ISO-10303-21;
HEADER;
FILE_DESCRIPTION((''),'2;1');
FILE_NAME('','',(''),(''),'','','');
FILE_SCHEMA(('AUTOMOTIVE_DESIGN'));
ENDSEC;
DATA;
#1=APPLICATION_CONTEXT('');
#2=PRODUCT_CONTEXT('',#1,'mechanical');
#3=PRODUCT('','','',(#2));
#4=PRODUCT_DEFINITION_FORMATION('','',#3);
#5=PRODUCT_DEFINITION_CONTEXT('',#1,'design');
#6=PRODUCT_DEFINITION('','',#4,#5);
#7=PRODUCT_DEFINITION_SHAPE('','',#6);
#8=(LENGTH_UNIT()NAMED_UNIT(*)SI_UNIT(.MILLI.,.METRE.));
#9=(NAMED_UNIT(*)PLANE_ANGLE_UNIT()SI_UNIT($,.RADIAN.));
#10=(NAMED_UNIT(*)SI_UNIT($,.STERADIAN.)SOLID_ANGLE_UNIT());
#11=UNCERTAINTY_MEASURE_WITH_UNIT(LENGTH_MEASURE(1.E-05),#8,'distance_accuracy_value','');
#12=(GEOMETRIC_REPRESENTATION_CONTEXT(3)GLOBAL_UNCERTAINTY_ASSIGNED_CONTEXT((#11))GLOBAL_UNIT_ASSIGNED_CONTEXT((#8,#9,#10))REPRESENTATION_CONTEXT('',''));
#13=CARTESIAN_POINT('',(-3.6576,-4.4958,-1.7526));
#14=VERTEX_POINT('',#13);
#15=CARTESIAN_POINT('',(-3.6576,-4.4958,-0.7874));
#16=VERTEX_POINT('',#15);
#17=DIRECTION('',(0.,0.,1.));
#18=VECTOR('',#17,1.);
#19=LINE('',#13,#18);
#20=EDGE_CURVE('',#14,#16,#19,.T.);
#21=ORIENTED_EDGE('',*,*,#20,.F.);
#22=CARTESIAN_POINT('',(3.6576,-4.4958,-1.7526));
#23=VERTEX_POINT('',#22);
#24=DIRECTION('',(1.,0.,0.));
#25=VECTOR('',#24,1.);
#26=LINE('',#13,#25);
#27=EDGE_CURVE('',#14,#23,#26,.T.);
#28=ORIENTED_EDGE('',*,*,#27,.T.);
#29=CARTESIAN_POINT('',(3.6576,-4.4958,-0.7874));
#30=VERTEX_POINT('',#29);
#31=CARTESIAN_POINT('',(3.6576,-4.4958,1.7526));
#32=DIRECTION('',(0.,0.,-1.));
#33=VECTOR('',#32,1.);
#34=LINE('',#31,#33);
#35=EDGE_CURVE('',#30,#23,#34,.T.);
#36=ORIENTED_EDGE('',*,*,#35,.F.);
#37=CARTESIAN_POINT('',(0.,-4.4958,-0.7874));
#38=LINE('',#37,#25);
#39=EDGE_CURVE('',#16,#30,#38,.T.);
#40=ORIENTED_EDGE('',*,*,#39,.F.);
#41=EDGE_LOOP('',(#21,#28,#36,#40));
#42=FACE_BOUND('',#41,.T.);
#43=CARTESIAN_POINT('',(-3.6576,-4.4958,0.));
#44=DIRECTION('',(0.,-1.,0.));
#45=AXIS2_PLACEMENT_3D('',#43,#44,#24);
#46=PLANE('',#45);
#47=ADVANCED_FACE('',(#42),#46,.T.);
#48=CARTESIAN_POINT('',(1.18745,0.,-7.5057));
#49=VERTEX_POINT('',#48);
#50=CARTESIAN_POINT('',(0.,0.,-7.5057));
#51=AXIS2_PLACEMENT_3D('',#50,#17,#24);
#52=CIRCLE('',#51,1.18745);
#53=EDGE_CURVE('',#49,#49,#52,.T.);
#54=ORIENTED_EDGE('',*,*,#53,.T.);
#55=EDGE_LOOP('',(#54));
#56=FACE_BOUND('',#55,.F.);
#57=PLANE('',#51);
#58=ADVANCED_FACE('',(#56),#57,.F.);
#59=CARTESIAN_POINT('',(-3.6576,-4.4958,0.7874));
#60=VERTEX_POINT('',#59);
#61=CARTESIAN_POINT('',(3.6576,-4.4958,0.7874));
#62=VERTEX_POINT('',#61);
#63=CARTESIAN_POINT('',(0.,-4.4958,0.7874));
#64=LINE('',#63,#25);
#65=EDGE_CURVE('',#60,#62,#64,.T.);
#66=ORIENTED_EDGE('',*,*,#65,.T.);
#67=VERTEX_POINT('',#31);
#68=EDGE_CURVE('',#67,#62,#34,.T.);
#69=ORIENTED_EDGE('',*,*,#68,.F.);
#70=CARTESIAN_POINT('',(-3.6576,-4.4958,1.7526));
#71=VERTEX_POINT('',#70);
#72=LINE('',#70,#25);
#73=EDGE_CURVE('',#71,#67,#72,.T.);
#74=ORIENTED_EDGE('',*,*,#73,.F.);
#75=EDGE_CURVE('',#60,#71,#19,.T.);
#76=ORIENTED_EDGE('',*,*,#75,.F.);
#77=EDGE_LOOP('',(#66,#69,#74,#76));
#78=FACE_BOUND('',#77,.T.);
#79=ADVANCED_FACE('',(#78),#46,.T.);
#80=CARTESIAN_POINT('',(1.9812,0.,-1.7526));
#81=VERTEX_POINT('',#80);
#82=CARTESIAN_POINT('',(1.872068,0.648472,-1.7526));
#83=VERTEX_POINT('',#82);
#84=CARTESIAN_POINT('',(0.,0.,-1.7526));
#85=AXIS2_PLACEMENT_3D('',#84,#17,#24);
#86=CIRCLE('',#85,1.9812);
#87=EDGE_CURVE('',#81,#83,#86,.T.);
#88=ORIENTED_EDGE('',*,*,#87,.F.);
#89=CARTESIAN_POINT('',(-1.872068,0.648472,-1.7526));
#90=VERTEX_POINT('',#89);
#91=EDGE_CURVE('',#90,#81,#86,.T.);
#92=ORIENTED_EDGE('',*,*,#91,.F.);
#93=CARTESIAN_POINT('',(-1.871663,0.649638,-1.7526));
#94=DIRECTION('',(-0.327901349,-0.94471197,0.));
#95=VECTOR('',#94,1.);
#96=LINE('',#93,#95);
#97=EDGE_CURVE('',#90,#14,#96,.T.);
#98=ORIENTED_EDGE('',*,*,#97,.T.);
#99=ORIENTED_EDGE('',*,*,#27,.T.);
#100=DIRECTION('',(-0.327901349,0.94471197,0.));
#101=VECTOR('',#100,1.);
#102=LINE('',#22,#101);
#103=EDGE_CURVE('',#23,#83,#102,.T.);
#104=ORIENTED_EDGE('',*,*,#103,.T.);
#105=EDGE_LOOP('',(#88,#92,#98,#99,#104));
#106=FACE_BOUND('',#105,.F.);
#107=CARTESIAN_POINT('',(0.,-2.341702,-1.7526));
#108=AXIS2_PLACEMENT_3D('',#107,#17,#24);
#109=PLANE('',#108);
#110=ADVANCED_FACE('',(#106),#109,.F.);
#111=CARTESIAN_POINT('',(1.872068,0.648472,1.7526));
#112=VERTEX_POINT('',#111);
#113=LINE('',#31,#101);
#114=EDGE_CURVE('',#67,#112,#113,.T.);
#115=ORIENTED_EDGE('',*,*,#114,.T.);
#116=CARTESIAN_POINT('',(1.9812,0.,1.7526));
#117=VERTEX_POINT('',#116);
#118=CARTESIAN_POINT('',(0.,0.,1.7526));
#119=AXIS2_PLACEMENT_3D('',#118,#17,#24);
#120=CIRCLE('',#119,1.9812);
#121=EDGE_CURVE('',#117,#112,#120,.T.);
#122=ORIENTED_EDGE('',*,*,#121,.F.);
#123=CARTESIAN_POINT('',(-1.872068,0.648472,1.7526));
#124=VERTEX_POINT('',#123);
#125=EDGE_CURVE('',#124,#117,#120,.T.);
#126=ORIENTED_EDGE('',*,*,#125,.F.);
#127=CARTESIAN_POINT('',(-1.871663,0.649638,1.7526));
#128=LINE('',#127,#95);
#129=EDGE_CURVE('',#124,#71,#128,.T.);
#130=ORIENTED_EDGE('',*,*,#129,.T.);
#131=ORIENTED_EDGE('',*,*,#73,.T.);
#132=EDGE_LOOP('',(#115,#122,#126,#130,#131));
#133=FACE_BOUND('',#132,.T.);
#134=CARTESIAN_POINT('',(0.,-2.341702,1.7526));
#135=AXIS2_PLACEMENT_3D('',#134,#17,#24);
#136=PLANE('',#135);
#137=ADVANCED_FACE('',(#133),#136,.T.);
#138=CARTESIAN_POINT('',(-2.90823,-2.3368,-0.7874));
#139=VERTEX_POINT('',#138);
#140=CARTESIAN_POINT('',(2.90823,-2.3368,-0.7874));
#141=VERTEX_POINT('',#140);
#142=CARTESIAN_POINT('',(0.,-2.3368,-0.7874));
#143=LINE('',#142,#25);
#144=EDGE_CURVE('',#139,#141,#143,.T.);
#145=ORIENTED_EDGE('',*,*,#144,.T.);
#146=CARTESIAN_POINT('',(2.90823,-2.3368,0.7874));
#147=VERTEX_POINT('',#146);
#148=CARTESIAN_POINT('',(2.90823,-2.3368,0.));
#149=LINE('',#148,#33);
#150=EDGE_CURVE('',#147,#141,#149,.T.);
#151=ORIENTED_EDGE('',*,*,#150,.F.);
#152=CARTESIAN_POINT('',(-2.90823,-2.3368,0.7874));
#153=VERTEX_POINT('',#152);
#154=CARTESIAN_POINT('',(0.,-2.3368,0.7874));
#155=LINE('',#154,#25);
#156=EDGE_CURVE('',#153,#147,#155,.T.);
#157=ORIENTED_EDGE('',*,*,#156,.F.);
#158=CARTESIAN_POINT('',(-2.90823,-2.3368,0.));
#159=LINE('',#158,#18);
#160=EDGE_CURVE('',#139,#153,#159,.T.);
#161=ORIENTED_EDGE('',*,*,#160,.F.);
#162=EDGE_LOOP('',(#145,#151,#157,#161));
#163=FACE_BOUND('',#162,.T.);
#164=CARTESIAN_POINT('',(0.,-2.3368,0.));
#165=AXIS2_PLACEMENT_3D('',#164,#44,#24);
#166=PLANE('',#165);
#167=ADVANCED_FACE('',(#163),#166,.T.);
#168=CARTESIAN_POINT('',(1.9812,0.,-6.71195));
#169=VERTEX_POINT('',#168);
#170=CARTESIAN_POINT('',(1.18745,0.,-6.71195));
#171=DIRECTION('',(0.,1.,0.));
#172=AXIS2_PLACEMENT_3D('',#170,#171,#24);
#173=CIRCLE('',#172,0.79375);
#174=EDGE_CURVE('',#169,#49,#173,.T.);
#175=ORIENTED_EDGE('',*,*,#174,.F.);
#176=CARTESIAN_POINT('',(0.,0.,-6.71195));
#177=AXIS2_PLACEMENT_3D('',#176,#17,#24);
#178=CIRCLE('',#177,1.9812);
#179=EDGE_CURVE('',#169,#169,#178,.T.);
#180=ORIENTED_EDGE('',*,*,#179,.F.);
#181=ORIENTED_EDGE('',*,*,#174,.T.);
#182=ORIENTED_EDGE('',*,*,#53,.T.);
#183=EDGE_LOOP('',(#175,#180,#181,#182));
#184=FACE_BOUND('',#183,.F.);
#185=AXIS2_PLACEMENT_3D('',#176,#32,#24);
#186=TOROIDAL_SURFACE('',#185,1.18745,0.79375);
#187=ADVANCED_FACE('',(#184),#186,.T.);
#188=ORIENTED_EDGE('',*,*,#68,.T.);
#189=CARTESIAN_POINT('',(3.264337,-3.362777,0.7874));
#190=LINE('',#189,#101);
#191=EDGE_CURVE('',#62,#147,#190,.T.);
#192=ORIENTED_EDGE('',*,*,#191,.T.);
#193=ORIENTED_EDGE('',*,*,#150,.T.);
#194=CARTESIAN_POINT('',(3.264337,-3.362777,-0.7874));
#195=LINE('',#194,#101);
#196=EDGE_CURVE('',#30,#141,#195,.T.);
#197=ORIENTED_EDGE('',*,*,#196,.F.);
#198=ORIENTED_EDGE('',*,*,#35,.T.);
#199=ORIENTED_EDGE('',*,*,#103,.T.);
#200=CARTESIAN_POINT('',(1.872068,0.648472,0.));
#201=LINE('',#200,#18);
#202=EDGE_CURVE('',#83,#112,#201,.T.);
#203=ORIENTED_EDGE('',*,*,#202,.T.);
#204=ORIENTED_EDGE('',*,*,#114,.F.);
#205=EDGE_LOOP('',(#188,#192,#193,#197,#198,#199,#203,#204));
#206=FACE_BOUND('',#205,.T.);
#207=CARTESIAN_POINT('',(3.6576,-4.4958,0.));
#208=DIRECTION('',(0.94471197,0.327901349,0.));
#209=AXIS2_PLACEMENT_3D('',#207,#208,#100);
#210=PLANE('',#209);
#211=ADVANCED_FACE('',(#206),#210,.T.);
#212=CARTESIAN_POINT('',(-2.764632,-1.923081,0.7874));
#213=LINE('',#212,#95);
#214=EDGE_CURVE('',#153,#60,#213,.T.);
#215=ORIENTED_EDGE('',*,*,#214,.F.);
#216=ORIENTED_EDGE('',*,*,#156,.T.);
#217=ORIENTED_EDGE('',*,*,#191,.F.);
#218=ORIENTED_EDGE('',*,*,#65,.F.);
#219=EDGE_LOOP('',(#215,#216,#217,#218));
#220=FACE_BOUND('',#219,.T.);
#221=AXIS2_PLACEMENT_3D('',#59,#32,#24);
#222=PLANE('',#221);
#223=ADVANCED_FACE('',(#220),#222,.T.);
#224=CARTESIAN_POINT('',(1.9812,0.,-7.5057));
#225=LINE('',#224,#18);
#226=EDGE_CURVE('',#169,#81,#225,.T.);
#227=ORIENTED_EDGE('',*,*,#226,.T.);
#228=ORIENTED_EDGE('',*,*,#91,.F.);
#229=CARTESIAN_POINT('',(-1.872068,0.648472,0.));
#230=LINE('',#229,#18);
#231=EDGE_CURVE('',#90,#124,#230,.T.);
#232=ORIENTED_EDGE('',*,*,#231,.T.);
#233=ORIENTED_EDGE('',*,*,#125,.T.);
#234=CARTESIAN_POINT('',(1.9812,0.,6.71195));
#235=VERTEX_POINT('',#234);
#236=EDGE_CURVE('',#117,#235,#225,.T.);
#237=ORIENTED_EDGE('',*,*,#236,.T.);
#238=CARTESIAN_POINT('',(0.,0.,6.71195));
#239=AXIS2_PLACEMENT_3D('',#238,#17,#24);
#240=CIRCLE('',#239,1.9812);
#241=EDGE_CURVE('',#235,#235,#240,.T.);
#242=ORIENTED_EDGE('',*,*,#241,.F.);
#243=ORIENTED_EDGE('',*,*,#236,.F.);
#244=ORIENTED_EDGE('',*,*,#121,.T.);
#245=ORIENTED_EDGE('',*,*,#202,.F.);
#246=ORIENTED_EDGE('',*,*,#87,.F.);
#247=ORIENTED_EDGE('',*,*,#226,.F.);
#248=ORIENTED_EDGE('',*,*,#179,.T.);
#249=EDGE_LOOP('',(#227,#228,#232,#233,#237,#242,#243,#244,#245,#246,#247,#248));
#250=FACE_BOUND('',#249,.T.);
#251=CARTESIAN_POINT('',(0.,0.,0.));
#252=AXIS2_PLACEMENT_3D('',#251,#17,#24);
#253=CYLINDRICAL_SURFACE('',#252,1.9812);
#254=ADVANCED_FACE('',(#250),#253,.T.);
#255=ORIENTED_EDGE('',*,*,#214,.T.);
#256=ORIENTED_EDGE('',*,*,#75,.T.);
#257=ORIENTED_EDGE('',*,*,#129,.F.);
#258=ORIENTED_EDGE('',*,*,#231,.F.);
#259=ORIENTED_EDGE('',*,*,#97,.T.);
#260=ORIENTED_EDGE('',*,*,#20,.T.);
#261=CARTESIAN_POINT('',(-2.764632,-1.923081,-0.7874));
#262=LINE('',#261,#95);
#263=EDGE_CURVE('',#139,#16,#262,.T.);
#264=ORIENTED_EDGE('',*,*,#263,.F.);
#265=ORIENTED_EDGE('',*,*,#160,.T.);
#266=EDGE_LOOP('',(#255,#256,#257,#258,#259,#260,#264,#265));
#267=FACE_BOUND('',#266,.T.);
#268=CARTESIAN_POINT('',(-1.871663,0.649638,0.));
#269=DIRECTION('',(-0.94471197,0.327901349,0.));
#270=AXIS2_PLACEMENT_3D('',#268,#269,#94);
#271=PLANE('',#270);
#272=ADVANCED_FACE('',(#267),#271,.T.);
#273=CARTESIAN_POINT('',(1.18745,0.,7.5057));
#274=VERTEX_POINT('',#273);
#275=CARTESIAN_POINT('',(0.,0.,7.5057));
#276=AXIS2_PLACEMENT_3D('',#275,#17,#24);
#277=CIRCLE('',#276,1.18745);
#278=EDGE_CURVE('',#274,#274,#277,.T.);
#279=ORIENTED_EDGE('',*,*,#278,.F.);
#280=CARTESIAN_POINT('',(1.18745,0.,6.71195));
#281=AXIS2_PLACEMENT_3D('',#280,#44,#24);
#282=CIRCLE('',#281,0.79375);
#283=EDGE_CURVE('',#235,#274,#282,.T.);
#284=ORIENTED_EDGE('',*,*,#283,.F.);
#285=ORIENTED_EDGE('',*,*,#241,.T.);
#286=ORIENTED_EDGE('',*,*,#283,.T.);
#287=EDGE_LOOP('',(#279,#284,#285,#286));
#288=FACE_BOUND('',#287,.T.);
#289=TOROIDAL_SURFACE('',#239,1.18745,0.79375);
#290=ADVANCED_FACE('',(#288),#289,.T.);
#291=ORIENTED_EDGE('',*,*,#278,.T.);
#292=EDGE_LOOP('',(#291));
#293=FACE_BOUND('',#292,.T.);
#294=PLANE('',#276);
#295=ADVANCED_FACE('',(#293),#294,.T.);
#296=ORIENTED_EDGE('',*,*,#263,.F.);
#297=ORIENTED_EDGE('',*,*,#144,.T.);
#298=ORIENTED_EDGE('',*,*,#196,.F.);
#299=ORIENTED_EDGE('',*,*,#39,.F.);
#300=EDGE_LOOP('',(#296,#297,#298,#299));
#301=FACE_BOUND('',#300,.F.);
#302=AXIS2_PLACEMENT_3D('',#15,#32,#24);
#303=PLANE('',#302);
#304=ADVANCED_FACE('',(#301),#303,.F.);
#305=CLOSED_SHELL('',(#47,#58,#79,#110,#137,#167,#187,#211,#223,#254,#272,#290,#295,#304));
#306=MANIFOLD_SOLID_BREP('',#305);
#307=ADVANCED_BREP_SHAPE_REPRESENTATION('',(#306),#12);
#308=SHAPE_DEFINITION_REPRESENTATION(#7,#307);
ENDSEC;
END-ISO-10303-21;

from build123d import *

# Parameters (mm, degrees)
F0_R     = 1.9812
F1_DEPTH = 7.5057
F3_DEPTH = 1.7526
F4_W     = 7.3152
F4_H     = 1.5748
F5_DEPTH = 2.159
F6_R     = 0.79375


with BuildPart() as f1:
    # F0 (on Top) → F1 (new body, symmetric)
    with BuildSketch(Plane.XY):
        Circle(F0_R)
    extrude(amount=F1_DEPTH, both=True)

    # F2 (on Top) → F3 (join, symmetric)
    with BuildSketch(Plane.XY):
        Polygon((1.871663, 0.649638), (-1.871663, 0.649638), (-3.6576, -4.4958), (0, -4.4958), (3.6576, -4.4958), align=None)
    extrude(amount=F3_DEPTH, both=True)

    # F4 (on face) → F5 (cut)
    with BuildSketch(Plane.XZ.offset(4.4958)):
        Rectangle(F4_W, F4_H)
    extrude(amount=-F5_DEPTH, mode=Mode.SUBTRACT)

    # F6
    f6_edges = [f1.edges().sort_by_distance(p)[0] for p in [
        (-1.9812, 0, 7.5057),
        (-1.9812, 0, -7.5057),
    ]]
    fillet(f6_edges, radius=F6_R)


solid = f1.part
